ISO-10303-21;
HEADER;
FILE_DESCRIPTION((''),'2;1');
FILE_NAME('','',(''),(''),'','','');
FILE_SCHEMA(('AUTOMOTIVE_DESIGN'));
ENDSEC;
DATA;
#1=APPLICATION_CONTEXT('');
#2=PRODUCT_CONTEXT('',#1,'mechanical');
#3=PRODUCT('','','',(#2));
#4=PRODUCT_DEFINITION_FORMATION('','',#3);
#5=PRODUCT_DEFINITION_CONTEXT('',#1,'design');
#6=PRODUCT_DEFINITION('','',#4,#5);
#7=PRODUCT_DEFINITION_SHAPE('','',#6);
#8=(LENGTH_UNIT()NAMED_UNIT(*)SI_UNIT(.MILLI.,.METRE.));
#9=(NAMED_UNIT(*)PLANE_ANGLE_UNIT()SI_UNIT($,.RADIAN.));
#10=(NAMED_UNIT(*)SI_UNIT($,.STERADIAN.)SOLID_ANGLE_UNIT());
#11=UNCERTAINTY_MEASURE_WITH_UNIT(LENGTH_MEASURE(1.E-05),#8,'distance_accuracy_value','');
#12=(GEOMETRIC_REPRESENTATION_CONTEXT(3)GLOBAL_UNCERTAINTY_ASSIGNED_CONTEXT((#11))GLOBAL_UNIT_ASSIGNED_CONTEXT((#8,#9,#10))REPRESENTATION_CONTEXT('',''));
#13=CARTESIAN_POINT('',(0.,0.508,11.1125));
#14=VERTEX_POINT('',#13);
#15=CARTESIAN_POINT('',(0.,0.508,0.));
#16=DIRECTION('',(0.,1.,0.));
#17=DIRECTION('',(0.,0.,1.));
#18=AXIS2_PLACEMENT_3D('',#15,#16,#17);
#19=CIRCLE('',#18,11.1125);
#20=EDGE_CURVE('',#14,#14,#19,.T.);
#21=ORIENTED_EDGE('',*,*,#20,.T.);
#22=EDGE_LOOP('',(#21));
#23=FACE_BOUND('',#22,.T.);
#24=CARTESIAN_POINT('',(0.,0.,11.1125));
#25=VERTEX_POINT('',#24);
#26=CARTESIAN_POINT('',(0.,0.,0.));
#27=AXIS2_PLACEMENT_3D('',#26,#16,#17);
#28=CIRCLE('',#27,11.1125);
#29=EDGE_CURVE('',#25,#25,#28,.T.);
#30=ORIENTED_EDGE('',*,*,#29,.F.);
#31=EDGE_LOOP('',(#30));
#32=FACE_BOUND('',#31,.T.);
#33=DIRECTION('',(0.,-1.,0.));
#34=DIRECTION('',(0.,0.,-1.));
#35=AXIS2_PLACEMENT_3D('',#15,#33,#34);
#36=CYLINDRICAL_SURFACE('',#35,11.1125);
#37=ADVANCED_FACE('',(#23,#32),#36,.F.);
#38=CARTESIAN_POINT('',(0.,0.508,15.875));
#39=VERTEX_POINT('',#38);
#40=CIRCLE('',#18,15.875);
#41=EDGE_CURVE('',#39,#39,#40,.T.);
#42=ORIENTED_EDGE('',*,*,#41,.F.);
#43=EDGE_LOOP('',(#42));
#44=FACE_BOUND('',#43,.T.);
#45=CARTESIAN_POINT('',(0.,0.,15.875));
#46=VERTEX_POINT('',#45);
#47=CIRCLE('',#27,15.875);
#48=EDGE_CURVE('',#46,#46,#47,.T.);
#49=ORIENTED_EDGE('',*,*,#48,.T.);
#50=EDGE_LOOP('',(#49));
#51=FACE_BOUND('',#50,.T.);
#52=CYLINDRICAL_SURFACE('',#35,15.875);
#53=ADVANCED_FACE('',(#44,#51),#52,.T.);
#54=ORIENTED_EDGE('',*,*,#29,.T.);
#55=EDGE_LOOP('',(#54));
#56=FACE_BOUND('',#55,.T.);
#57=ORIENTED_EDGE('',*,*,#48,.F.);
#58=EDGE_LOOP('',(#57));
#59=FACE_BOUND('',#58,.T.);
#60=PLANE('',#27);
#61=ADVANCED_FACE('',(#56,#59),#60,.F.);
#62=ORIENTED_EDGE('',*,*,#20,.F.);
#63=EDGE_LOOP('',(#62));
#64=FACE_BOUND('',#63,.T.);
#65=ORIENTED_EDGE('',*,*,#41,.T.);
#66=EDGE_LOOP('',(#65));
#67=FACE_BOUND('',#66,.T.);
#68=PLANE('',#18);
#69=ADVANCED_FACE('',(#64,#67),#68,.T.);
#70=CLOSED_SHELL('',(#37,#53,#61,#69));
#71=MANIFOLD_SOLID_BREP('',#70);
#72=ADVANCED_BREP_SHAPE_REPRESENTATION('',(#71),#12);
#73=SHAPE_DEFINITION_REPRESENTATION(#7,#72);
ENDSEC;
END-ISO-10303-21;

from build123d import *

# Parameters (mm, degrees)
SKETCH1_R           = 15.875
SKETCH1_R_2         = 11.1125
BOSS_EXTRUDE1_DEPTH = 0.508


with BuildPart() as part:
    # Sketch1 → Boss-Extrude1 (new body)
    with BuildSketch(Plane(origin=(0, 0, 0), x_dir=(1, 0, 0), z_dir=(0, 1, 0))):
        Circle(SKETCH1_R)
        Circle(SKETCH1_R_2, mode=Mode.SUBTRACT)
    extrude(amount=BOSS_EXTRUDE1_DEPTH)


solid = part.part
